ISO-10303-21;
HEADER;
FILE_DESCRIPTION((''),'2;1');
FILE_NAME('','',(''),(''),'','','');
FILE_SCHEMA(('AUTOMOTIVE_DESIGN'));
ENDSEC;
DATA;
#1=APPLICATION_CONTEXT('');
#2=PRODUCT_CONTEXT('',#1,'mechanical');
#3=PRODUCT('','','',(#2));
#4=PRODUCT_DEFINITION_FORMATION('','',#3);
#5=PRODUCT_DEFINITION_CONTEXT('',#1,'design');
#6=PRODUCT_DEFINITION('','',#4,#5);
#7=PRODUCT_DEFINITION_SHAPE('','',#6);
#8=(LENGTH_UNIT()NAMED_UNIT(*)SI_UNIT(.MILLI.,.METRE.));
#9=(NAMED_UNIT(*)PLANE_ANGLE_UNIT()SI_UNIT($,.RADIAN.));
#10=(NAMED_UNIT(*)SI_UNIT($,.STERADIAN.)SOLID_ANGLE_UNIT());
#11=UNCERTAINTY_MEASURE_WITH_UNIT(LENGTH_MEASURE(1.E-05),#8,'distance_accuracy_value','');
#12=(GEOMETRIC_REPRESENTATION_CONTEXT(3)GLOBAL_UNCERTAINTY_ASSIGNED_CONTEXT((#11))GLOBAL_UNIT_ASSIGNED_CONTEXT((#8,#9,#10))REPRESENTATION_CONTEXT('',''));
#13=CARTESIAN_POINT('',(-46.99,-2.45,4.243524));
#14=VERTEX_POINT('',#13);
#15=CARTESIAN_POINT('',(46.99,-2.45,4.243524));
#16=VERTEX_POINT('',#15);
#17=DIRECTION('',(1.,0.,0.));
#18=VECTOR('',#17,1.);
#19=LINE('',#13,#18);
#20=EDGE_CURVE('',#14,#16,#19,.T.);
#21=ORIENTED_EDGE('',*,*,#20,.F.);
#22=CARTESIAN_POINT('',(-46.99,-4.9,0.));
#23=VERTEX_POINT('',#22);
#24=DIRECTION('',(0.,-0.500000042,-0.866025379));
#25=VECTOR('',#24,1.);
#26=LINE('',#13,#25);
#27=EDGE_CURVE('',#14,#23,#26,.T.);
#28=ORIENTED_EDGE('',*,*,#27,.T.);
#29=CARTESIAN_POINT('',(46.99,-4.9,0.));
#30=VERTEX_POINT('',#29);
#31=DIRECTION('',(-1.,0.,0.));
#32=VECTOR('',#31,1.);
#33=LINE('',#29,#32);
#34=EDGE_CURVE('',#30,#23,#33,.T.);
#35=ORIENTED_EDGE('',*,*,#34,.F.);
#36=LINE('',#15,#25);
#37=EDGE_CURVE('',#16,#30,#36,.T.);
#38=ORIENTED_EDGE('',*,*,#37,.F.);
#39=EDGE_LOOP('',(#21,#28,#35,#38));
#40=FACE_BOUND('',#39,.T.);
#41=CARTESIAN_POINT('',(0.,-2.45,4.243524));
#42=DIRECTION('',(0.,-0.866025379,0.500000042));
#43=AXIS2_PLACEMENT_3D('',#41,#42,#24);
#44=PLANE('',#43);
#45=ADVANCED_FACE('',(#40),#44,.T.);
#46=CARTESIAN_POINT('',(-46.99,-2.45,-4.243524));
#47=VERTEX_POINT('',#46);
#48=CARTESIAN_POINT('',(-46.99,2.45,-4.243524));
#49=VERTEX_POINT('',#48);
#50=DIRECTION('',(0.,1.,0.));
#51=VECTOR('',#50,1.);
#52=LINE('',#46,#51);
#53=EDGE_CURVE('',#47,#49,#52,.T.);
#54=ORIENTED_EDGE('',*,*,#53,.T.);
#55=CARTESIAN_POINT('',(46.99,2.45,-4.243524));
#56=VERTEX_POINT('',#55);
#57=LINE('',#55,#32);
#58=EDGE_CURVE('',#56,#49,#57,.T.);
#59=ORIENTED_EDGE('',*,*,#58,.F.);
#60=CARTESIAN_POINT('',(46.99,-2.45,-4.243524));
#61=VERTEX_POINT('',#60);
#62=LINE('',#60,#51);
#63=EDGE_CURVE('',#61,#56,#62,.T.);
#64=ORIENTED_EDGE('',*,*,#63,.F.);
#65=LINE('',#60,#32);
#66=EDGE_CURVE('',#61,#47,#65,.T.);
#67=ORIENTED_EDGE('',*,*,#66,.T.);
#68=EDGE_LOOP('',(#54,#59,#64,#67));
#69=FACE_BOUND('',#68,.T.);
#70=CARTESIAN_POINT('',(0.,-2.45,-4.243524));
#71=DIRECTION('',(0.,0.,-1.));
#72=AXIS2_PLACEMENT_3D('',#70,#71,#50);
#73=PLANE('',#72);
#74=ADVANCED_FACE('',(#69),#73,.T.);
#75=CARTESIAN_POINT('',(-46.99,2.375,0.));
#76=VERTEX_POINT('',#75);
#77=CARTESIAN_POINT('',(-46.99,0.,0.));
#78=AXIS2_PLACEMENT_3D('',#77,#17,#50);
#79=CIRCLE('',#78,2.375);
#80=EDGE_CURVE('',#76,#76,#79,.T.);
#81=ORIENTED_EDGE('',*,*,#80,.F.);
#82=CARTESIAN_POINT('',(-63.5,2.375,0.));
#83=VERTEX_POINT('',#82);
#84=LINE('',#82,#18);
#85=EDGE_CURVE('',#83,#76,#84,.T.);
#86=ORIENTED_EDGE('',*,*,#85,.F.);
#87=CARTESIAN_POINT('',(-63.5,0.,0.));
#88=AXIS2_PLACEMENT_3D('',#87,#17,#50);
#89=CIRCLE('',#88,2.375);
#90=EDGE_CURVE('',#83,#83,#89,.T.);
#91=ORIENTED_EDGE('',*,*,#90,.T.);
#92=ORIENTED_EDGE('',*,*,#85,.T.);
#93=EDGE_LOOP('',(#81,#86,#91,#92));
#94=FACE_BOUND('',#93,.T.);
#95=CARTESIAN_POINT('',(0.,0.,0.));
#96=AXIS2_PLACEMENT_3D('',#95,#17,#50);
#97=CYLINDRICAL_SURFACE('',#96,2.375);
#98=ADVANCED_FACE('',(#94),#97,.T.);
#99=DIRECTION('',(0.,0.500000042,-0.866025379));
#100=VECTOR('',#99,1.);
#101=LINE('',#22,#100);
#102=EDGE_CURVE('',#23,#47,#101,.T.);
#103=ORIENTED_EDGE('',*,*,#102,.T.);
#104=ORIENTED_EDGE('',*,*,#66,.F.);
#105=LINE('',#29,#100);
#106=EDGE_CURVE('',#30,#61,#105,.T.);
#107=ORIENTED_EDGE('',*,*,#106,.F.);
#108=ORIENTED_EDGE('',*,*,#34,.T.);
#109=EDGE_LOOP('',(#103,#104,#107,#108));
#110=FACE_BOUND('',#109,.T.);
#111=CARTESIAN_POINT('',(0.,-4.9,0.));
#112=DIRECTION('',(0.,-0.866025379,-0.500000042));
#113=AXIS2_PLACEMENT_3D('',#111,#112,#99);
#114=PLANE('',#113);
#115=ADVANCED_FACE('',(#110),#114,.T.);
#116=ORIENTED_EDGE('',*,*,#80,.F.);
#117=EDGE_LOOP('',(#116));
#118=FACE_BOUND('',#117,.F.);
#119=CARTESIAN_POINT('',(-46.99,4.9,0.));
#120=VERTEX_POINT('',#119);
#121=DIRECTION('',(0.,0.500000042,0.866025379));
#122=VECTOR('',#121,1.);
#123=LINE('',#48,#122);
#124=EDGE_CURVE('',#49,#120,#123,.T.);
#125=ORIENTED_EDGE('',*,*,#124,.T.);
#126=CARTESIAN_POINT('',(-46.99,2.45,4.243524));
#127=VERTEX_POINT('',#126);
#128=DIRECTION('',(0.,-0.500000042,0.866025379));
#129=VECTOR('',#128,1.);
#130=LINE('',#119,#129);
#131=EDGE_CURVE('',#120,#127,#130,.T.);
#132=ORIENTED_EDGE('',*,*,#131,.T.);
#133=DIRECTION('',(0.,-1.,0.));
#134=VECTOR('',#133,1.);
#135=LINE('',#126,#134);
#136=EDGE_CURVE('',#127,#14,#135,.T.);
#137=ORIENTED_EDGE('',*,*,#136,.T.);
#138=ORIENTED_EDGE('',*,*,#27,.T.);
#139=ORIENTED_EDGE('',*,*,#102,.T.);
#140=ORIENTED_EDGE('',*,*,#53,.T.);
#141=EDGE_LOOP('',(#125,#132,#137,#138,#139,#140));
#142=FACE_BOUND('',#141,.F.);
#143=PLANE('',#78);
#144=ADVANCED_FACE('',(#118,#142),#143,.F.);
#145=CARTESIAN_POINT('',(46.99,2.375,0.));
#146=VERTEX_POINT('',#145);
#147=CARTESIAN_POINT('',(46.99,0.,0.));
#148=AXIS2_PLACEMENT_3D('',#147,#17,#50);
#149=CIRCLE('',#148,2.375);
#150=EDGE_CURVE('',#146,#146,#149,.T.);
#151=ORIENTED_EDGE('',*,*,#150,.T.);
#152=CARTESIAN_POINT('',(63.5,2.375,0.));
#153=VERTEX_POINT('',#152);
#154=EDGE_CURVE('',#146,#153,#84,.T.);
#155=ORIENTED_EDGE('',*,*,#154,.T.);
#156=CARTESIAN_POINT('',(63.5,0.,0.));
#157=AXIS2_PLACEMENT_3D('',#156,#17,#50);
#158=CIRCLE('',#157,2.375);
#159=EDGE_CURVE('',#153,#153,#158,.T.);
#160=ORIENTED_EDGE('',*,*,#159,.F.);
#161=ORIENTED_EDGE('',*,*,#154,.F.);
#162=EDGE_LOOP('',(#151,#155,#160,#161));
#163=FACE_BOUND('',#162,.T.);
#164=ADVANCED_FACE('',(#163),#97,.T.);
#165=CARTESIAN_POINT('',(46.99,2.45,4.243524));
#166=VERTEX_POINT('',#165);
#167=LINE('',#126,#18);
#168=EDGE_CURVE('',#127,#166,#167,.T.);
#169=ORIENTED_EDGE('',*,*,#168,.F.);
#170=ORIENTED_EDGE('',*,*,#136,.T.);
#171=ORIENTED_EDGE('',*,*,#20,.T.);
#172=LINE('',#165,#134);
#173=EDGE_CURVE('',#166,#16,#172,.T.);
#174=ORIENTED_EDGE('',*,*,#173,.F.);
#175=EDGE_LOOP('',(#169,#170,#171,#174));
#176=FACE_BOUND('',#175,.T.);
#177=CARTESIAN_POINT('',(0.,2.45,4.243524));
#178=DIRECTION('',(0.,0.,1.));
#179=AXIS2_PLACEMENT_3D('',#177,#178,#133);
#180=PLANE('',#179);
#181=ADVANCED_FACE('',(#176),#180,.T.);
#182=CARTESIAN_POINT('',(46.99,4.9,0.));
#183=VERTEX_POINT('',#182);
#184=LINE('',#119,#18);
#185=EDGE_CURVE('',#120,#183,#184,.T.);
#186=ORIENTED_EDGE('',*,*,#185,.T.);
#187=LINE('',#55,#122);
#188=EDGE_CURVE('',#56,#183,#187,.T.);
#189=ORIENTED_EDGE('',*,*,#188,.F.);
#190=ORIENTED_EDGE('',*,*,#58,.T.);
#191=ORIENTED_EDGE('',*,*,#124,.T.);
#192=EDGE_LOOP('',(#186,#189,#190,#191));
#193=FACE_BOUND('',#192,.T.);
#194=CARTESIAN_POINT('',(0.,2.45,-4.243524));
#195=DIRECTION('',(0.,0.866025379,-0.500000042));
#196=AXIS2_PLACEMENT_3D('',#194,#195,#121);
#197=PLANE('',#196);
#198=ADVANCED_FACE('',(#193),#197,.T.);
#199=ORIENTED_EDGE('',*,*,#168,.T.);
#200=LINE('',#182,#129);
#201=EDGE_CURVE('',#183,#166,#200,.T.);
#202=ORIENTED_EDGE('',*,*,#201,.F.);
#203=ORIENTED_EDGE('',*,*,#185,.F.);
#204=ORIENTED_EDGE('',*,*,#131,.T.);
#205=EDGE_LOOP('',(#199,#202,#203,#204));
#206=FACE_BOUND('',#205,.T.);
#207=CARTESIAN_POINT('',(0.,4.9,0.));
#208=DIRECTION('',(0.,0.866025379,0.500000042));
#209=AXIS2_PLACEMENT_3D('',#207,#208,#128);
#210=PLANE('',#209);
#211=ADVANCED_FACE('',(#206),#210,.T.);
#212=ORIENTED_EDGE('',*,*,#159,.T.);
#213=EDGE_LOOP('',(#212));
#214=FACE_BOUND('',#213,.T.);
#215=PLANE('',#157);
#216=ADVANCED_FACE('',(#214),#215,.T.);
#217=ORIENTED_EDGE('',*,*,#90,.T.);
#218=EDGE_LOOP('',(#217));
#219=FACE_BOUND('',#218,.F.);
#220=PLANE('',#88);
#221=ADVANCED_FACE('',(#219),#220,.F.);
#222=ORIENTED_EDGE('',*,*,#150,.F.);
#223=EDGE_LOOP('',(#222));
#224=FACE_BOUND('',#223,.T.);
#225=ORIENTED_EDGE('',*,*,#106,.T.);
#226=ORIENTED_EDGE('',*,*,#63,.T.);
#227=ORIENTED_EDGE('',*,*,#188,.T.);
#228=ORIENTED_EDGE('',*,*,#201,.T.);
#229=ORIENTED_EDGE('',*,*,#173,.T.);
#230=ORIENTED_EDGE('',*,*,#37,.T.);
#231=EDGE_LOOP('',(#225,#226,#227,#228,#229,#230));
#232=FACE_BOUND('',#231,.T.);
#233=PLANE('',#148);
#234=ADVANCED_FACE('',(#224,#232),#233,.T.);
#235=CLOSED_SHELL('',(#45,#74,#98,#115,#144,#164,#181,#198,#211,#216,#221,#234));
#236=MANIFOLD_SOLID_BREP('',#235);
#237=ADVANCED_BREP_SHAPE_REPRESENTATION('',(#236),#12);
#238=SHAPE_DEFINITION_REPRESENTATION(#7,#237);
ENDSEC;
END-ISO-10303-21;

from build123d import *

# Parameters (mm, degrees)
F1_DEPTH = 46.99
F2_R     = 2.375
F3_DEPTH = 63.5


with BuildPart() as f1:
    # F0 (on Right) → F1 (new body, symmetric)
    with BuildSketch(Plane.YZ):
        Polygon((2.45, -4.243524), (4.9, 0), (2.45, 4.243524), (-2.45, 4.243524), (-4.9, 0), (-2.45, -4.243524), align=None)
    extrude(amount=F1_DEPTH, both=True)

    # F2 (on Right) → F3 (join, symmetric)
    with BuildSketch(Plane.YZ):
        Circle(F2_R)
    extrude(amount=F3_DEPTH, both=True)


solid = f1.part
